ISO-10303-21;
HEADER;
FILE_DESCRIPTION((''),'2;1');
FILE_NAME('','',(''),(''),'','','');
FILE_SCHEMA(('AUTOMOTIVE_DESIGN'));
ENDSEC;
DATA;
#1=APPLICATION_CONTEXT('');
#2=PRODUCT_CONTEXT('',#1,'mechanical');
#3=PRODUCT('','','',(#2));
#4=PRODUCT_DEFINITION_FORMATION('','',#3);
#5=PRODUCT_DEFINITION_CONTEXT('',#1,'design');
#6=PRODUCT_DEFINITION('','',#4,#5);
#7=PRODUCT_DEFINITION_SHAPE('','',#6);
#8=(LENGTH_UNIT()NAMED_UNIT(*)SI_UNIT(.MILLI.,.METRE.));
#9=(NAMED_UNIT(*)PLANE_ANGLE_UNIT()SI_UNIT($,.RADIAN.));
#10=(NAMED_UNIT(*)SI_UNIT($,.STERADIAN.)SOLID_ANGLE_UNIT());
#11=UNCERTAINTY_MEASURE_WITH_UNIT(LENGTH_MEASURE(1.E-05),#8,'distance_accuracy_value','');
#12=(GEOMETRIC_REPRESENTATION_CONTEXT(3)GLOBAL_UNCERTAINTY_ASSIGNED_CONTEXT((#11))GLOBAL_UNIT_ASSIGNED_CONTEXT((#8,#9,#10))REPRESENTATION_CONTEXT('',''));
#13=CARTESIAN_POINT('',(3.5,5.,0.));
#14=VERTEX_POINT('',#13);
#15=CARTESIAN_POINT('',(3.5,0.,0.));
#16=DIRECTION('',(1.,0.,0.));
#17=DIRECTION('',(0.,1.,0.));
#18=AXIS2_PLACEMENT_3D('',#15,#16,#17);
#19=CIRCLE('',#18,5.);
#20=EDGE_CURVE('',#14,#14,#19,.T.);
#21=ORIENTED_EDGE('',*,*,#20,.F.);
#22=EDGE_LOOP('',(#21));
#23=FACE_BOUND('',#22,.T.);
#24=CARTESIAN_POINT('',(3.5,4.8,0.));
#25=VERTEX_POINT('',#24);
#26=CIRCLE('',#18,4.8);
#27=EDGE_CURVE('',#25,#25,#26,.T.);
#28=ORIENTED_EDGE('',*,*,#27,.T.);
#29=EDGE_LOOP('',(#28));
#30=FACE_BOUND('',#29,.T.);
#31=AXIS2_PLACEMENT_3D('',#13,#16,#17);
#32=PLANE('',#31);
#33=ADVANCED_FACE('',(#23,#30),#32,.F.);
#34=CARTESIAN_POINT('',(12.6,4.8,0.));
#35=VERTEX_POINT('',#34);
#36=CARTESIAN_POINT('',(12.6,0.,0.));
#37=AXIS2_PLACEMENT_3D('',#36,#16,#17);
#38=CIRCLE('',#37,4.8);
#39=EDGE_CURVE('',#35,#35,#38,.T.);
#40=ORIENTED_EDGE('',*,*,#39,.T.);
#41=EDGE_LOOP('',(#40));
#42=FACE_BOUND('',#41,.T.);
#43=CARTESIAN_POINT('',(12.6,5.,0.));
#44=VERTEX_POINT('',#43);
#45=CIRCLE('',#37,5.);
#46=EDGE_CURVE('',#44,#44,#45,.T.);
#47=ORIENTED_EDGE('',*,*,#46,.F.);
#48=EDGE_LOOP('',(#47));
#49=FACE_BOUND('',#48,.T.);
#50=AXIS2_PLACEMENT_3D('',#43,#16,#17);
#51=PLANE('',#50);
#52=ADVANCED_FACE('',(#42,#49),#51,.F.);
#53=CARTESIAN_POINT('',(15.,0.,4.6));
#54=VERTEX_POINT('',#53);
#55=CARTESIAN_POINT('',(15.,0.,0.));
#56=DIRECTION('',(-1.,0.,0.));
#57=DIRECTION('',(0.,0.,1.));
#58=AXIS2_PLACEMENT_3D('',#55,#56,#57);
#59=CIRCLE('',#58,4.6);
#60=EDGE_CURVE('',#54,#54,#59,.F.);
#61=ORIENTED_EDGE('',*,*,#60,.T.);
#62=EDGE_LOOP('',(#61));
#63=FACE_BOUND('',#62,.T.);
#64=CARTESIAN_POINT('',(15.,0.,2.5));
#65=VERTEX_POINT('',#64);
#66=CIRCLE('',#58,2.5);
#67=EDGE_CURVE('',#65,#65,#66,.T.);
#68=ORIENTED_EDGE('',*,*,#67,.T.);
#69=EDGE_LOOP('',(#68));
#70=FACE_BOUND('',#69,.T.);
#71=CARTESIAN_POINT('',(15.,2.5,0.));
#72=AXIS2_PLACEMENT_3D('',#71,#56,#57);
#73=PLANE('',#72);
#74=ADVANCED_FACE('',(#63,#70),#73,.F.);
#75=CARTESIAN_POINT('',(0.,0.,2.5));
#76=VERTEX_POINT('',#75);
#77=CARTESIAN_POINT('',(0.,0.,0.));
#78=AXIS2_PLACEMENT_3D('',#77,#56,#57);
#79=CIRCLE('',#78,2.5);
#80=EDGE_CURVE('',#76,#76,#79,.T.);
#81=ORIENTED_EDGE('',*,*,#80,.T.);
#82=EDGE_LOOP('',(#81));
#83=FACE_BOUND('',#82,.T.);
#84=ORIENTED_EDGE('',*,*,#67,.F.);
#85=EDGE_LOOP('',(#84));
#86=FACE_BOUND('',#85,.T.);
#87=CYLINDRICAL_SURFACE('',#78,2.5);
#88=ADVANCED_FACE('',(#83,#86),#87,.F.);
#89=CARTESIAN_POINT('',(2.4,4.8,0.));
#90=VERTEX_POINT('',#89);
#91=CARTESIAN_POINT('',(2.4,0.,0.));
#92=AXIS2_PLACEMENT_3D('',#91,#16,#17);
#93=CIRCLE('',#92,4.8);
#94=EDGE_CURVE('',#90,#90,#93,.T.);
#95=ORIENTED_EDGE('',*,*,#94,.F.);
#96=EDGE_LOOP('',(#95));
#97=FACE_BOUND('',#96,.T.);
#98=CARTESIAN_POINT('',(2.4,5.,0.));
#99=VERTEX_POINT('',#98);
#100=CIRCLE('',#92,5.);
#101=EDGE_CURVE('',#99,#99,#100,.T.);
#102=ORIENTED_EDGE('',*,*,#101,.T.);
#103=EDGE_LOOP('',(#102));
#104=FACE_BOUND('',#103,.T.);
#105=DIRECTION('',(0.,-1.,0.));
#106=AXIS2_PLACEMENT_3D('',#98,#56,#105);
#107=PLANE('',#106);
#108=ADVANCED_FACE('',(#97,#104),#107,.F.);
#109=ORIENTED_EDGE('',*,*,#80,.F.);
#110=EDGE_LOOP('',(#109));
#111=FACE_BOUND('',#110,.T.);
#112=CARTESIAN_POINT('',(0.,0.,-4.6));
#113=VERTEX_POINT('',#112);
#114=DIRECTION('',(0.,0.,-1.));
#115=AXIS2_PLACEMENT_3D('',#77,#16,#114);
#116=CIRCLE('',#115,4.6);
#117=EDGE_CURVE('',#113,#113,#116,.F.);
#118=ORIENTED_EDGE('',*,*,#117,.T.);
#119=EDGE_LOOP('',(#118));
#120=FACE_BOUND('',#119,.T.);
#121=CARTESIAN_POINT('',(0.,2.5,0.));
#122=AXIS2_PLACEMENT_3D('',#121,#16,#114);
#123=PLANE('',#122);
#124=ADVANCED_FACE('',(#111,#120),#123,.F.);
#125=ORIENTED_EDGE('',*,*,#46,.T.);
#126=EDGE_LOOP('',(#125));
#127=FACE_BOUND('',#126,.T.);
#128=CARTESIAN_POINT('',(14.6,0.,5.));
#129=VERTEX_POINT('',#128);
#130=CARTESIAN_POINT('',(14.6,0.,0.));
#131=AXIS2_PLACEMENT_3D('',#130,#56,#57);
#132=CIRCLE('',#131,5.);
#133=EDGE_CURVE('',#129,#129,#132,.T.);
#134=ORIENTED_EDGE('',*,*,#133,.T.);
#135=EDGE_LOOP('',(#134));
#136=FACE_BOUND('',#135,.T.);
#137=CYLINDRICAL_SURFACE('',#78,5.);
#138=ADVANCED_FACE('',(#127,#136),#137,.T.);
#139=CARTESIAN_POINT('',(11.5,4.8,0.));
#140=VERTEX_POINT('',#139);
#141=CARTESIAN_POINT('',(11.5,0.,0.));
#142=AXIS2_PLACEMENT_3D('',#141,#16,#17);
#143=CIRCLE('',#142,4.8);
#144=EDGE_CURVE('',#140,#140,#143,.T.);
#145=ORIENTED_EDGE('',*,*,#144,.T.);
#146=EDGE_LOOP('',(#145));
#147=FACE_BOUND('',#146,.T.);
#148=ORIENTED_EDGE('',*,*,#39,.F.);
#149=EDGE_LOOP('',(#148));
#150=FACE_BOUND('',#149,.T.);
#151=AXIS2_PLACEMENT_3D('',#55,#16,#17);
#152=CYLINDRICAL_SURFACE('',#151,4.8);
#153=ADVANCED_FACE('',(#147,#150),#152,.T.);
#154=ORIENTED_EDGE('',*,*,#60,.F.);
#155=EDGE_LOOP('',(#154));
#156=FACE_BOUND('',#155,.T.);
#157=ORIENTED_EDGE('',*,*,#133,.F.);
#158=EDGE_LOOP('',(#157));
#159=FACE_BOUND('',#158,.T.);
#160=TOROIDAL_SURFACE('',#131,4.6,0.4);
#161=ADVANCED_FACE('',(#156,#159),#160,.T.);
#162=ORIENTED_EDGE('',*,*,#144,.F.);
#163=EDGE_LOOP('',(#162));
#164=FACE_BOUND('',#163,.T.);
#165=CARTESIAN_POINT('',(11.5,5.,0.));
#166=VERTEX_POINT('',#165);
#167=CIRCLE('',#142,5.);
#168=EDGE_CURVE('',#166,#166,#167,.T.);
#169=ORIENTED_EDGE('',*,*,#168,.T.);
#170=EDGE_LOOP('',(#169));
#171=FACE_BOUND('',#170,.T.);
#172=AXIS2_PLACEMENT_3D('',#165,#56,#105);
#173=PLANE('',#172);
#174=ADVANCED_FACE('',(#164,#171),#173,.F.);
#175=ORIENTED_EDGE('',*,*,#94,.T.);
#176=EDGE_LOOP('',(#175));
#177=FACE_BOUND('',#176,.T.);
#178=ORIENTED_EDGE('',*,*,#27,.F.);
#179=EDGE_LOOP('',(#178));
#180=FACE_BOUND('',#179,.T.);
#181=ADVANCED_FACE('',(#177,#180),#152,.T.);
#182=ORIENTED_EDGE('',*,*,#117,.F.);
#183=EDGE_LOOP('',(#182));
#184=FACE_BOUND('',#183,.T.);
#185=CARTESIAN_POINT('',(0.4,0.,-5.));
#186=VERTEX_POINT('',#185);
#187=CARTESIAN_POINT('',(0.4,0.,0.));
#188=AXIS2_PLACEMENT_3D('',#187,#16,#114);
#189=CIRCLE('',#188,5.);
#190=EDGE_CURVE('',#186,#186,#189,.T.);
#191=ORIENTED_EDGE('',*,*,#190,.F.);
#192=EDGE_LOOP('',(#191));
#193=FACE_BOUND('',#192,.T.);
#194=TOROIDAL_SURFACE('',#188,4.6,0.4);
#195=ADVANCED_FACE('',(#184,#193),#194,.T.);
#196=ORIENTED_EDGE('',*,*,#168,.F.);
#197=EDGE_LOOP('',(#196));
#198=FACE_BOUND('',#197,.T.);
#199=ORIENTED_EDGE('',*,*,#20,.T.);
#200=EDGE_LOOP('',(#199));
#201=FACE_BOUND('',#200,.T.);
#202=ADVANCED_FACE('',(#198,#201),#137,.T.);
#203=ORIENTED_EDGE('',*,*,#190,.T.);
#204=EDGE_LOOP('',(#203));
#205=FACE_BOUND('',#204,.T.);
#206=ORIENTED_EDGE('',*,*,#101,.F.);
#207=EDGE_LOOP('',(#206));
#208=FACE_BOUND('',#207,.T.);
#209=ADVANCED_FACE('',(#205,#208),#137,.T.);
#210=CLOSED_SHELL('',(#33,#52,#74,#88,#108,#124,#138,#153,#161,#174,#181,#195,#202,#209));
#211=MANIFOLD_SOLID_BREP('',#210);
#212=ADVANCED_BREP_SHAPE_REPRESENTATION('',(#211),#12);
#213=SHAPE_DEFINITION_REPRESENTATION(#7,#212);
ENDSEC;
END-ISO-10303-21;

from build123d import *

# Parameters (mm, degrees)
SKETCH1_W = 15
SKETCH1_H = 2.5
FILLET1_R = 0.4
SKETCH2_W = 1.1
SKETCH2_H = 0.2


with BuildPart() as part:
    # Sketch1 → Revolve1 (revolve)
    with BuildSketch(Plane.XY):
        with Locations((7.5, 3.75)):
            Rectangle(SKETCH1_W, SKETCH1_H)
    revolve(axis=Axis((0, 0, 0), (1, 0, 0)))

    # Fillet1
    fillet1_edges = [part.edges().sort_by_distance(p)[0] for p in [
        (0, -5, 0),
        (15, -5, 0),
    ]]
    fillet(fillet1_edges, radius=FILLET1_R)

    # Sketch2 → Cut-Revolve1 (revolve, cut)
    with BuildSketch(Plane.XY):
        with Locations((12.05, 4.9)):
            Rectangle(SKETCH2_W, SKETCH2_H)
        with Locations((2.95, 4.9)):
            Rectangle(SKETCH2_W, SKETCH2_H)
    revolve(axis=Axis((15, 0, 0), (-1, 0, 0)), mode=Mode.SUBTRACT)


solid = part.part
